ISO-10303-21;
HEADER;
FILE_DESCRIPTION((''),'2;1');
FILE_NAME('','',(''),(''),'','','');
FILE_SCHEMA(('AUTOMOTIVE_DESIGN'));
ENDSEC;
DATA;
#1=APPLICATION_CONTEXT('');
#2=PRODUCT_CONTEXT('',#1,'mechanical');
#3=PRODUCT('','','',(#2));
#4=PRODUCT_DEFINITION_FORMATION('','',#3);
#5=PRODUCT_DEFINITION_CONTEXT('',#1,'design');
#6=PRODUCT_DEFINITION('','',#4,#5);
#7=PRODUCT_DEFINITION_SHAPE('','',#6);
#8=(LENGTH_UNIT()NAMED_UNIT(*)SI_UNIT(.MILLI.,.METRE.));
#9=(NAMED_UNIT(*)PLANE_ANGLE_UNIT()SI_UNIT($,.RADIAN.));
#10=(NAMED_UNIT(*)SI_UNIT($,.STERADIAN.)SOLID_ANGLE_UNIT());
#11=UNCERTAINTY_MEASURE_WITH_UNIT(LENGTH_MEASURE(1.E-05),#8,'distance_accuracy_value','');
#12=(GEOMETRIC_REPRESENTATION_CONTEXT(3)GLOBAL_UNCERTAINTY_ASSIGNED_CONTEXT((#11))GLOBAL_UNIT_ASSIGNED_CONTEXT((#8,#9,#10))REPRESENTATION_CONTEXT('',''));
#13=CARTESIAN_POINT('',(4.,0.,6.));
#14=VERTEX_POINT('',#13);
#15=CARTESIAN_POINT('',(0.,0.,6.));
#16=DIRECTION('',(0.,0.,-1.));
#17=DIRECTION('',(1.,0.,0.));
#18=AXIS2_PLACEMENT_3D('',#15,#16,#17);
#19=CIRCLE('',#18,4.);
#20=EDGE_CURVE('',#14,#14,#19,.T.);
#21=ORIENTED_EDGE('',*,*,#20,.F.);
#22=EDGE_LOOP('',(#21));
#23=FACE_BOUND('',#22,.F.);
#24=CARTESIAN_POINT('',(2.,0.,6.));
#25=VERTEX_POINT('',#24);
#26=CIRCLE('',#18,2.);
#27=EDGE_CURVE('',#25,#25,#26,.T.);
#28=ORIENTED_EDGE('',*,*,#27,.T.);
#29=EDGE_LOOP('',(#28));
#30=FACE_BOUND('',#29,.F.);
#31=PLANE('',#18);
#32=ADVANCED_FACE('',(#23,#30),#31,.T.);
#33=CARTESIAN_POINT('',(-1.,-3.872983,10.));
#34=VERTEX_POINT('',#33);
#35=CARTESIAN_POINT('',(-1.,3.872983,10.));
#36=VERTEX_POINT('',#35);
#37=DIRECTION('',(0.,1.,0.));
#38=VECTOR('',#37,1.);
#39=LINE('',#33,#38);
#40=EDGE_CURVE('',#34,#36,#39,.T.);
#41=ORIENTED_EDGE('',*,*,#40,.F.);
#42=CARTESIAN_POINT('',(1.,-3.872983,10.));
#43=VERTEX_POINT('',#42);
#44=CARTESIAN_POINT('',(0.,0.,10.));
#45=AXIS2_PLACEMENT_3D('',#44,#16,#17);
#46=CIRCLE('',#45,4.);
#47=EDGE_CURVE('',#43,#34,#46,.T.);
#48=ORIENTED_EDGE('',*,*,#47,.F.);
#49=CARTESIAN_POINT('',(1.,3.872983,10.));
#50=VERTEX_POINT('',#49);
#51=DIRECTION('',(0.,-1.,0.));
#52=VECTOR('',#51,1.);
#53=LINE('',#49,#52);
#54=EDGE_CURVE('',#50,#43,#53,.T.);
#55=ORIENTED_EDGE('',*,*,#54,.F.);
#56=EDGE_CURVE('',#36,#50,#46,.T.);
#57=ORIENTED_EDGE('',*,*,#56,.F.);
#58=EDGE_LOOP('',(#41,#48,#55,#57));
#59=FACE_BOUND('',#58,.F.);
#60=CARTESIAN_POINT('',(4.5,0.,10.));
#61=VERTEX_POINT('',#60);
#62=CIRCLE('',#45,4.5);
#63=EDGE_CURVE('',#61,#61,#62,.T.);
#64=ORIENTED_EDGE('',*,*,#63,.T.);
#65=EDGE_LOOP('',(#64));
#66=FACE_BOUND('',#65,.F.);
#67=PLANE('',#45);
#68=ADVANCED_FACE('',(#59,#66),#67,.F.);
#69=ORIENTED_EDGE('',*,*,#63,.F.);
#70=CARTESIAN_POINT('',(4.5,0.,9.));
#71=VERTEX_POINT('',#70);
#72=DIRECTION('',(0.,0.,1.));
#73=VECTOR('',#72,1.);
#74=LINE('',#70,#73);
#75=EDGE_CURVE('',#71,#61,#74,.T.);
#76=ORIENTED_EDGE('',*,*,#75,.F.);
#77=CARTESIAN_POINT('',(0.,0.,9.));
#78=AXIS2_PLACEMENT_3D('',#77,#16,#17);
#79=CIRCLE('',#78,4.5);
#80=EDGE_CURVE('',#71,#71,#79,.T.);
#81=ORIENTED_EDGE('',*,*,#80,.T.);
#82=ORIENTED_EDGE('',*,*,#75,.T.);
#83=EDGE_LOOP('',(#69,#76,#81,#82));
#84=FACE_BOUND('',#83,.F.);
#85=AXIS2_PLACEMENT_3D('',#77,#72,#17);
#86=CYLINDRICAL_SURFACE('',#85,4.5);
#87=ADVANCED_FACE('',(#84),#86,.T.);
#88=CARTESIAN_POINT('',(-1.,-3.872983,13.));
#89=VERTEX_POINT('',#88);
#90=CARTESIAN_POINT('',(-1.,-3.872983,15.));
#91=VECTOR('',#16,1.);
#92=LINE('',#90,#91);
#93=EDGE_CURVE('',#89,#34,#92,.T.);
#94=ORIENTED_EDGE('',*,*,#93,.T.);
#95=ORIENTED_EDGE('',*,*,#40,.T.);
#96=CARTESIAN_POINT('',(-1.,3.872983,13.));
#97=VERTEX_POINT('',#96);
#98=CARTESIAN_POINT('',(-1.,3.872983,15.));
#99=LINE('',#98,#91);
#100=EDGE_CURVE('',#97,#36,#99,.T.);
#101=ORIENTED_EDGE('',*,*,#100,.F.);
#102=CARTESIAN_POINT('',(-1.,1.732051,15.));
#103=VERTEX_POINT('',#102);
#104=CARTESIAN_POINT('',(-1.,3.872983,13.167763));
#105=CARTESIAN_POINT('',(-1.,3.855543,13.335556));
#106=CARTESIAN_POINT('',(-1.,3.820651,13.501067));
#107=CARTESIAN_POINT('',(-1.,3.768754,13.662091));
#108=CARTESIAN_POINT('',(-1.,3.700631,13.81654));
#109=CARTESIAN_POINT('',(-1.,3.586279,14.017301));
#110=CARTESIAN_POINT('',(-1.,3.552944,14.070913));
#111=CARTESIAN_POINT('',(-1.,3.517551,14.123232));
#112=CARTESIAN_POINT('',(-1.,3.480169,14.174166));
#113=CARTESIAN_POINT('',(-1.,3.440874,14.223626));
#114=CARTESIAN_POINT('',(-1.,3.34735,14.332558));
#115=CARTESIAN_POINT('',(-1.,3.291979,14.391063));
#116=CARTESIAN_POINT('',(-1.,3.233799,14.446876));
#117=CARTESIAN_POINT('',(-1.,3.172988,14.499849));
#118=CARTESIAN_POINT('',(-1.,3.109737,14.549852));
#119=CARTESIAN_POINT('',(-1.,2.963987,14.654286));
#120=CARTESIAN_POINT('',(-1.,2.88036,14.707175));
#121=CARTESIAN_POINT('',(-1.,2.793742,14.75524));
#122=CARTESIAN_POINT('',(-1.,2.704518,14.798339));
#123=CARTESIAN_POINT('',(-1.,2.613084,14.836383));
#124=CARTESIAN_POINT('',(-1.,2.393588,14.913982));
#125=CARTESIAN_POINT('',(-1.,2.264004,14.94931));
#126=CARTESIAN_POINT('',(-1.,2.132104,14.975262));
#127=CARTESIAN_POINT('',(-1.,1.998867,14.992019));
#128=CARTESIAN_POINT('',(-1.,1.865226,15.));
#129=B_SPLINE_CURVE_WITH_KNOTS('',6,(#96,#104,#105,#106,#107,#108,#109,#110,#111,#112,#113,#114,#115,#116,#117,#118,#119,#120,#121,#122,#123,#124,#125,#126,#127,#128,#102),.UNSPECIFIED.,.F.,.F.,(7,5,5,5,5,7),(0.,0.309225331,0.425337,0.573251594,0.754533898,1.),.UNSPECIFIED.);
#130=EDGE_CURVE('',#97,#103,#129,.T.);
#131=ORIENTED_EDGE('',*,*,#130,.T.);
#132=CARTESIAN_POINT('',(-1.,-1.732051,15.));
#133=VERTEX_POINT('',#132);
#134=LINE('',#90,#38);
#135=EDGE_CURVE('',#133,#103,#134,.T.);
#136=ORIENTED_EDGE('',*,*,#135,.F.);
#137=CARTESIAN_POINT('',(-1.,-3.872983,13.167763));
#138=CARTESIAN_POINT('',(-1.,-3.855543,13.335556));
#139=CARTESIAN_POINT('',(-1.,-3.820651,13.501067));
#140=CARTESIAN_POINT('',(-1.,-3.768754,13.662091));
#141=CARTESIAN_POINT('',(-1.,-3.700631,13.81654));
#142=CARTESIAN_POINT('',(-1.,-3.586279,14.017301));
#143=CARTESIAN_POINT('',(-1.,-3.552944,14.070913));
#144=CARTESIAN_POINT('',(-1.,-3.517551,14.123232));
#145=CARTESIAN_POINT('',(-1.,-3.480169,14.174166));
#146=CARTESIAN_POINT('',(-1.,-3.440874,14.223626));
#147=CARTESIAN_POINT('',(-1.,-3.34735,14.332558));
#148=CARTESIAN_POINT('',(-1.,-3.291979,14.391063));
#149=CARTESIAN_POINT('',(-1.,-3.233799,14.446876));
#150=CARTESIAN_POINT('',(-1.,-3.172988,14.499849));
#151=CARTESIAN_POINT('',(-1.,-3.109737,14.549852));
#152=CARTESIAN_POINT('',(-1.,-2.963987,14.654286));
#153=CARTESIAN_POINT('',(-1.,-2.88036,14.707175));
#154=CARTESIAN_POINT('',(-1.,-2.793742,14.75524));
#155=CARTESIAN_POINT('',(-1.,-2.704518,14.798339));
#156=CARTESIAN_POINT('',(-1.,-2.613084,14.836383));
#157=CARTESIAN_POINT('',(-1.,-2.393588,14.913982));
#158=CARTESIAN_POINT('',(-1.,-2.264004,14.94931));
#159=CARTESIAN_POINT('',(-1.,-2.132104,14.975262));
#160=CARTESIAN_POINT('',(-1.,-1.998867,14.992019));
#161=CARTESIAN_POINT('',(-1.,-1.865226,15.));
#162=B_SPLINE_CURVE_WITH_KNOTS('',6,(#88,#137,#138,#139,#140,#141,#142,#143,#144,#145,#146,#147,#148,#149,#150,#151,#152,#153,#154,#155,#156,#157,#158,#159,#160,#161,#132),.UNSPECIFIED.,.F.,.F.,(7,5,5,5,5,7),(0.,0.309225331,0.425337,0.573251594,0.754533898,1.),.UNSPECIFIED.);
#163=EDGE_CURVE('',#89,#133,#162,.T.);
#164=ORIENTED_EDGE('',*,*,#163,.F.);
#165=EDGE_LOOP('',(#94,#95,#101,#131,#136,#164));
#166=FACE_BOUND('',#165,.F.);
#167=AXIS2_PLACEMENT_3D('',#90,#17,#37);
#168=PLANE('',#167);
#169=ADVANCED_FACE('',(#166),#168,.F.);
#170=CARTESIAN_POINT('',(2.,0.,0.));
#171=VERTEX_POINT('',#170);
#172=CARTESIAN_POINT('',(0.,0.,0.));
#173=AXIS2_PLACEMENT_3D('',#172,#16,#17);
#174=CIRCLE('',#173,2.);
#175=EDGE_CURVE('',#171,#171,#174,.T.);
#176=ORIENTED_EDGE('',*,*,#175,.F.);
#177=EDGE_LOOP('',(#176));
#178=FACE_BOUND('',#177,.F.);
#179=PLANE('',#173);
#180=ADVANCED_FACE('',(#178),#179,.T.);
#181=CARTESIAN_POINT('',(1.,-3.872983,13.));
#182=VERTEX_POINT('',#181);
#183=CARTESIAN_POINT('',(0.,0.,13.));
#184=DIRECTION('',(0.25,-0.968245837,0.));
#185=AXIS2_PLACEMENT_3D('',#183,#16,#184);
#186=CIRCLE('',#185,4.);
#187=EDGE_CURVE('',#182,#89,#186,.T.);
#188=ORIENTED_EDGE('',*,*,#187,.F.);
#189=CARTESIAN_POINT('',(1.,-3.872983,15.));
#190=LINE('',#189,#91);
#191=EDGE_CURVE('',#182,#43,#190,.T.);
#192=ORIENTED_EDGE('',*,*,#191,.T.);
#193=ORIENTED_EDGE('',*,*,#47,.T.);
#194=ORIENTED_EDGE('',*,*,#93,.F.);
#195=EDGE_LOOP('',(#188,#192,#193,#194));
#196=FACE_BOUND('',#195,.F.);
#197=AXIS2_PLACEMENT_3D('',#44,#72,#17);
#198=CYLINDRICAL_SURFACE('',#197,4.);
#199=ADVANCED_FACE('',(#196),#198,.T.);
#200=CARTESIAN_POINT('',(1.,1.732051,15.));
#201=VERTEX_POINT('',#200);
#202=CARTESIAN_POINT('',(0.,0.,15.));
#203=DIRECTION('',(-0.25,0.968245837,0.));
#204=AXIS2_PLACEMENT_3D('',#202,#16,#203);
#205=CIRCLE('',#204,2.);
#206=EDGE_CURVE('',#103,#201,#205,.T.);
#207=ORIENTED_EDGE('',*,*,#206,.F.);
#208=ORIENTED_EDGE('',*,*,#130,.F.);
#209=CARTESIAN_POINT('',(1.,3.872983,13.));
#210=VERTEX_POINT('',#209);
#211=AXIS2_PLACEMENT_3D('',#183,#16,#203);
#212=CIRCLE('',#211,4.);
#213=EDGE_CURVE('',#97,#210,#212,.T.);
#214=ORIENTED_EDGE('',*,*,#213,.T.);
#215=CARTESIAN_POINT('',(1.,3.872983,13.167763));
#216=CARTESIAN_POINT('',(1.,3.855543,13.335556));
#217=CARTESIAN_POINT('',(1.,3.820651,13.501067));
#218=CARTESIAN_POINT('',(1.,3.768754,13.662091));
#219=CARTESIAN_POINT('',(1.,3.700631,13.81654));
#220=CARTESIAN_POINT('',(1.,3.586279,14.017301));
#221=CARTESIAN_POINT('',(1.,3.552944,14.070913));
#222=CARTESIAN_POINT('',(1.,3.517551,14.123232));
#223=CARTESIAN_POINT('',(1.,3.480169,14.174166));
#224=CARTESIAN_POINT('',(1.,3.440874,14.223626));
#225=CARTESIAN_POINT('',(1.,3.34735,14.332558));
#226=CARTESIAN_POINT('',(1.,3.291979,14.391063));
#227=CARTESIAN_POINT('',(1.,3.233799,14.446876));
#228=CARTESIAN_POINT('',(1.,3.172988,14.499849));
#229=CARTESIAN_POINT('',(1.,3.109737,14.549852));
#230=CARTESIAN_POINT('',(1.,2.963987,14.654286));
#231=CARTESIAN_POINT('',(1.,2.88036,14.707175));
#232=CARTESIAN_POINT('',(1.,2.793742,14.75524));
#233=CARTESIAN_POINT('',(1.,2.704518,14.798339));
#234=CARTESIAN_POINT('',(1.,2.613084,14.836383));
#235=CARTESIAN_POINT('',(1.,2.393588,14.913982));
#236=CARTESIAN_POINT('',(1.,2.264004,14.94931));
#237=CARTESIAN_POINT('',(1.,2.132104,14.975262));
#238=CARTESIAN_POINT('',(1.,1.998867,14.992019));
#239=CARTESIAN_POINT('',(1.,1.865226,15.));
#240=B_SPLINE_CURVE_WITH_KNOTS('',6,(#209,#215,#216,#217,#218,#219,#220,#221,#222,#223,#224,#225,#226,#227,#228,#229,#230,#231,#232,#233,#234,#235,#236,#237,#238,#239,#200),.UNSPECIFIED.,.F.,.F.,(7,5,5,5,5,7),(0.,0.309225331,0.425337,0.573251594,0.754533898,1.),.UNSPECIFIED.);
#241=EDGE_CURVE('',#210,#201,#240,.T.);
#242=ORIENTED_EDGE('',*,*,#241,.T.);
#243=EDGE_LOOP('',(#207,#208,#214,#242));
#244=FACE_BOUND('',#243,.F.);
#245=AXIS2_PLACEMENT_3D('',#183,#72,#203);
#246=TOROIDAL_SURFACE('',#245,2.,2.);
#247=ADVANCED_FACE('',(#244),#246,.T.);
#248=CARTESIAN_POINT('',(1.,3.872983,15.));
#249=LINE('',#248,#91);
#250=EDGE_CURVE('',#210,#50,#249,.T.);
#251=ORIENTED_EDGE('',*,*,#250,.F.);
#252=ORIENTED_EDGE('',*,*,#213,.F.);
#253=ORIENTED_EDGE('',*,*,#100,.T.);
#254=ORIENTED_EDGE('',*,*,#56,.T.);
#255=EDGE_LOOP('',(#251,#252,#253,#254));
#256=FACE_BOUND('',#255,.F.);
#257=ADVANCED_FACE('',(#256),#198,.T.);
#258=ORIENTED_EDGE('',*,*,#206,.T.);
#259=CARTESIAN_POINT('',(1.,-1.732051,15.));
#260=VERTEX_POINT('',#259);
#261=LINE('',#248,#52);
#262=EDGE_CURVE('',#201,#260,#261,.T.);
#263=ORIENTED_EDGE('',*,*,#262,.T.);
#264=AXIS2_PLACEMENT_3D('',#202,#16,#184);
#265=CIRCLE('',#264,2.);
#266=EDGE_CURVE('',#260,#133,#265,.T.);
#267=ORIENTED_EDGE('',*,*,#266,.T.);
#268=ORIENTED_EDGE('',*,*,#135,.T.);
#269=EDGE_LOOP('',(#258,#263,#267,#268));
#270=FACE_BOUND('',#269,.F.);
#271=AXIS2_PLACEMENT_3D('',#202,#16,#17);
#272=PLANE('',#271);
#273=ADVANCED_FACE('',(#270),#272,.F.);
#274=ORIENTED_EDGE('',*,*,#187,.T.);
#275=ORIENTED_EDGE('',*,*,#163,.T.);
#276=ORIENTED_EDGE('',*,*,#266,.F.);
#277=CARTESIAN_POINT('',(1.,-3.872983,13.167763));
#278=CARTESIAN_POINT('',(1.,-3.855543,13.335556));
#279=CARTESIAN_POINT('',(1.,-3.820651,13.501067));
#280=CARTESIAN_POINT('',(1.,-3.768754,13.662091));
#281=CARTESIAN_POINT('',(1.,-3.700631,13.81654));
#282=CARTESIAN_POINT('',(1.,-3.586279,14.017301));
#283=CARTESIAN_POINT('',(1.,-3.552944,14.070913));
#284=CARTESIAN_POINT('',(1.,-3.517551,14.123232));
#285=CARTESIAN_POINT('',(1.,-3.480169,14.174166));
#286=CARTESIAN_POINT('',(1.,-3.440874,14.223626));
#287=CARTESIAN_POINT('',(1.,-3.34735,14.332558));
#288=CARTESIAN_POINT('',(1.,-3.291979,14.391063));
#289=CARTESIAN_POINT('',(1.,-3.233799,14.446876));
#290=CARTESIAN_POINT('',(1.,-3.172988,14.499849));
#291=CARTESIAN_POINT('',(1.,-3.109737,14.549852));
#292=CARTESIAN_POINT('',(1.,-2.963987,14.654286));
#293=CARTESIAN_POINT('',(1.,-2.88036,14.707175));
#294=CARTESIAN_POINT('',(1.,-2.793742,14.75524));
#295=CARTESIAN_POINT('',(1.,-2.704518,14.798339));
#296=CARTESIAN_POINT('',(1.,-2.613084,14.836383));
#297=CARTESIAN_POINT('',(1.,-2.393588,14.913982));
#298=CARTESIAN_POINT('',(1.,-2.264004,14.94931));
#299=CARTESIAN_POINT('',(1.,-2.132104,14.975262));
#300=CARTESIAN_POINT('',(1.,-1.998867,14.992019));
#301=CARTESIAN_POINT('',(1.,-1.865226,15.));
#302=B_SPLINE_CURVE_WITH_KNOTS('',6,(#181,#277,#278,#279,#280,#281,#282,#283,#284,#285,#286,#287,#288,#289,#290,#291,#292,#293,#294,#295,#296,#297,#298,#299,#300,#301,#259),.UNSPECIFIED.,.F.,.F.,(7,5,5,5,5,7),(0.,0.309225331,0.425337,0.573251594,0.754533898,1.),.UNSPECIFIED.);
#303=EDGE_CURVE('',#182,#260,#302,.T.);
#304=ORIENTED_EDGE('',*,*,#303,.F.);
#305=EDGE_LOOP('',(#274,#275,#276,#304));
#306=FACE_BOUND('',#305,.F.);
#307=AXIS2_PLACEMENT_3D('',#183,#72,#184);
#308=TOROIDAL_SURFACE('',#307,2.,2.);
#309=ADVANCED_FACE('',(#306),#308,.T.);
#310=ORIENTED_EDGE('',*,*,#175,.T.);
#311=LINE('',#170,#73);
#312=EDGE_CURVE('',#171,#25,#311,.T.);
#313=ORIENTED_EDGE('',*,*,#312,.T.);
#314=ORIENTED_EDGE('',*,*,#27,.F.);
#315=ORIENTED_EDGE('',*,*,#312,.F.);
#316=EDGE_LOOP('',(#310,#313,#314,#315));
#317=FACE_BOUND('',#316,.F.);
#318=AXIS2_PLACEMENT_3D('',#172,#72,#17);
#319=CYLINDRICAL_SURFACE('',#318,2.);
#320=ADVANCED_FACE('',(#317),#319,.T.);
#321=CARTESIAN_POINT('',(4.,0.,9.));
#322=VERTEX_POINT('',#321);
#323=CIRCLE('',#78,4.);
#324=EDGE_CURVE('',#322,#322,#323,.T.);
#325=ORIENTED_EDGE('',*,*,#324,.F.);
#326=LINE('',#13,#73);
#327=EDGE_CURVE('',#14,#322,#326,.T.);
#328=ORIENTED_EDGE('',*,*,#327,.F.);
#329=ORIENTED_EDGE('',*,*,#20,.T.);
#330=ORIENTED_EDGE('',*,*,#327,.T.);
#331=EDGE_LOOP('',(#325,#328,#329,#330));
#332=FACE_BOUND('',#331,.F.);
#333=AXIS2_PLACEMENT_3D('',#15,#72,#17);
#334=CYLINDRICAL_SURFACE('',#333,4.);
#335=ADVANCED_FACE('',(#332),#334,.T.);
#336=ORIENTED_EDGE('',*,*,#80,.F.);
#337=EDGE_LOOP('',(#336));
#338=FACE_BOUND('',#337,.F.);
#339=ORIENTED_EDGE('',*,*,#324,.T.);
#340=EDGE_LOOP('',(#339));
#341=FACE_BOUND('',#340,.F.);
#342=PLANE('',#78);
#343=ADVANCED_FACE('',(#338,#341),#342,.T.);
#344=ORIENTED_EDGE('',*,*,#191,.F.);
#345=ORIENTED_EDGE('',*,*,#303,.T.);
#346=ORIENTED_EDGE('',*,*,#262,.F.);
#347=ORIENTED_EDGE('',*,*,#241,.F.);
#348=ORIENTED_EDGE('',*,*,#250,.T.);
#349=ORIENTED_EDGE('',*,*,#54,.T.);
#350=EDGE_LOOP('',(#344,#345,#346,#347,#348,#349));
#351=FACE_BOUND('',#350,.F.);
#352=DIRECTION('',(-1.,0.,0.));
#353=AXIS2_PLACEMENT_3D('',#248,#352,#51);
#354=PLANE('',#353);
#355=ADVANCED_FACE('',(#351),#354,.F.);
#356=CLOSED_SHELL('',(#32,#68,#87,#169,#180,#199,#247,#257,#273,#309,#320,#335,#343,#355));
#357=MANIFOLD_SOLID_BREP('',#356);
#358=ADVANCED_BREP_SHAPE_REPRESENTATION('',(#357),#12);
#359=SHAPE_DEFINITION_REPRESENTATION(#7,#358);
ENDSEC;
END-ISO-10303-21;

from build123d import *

# Parameters (mm, degrees)
F3_DEPTH = 5
F4_R     = 2


with BuildPart() as f1:
    # F0 (on Front) → F1 (revolve)
    with BuildSketch(Plane.XZ):
        Polygon((0, 15), (0, 0), (2, 0), (2, 6), (4, 6), (4, 9), (4.5, 9), (4.5, 10), (4, 10), (4, 15), align=None)
    revolve(axis=Axis((0, 0, 7.5), (0, 0, -1)))

    # F2 (on face) → F3 (cut, through all)
    with BuildSketch(Plane.XY.offset(15)):
        with BuildLine():
            Line((-1, -3.8729833462), (-1, 3.8729833462))
            ThreePointArc((-1, 3.8729833462), (-4, 0), (-1, -3.8729833462))
        make_face()
        with BuildLine():
            ThreePointArc((4, 0), (3.1622776602, 2.4494897428), (1, 3.8729833462))
            Line((1, 3.8729833462), (1, -3.8729833462))
            ThreePointArc((1, -3.8729833462), (3.1622776602, -2.4494897428), (4, 0))
        make_face()
    extrude(amount=-F3_DEPTH, mode=Mode.SUBTRACT)

    # F4
    f4_edges = [f1.edges().sort_by_distance(p)[0] for p in [
        (0, -4, 15),
        (0, 4, 15),
    ]]
    fillet(f4_edges, radius=F4_R)


solid = f1.part
